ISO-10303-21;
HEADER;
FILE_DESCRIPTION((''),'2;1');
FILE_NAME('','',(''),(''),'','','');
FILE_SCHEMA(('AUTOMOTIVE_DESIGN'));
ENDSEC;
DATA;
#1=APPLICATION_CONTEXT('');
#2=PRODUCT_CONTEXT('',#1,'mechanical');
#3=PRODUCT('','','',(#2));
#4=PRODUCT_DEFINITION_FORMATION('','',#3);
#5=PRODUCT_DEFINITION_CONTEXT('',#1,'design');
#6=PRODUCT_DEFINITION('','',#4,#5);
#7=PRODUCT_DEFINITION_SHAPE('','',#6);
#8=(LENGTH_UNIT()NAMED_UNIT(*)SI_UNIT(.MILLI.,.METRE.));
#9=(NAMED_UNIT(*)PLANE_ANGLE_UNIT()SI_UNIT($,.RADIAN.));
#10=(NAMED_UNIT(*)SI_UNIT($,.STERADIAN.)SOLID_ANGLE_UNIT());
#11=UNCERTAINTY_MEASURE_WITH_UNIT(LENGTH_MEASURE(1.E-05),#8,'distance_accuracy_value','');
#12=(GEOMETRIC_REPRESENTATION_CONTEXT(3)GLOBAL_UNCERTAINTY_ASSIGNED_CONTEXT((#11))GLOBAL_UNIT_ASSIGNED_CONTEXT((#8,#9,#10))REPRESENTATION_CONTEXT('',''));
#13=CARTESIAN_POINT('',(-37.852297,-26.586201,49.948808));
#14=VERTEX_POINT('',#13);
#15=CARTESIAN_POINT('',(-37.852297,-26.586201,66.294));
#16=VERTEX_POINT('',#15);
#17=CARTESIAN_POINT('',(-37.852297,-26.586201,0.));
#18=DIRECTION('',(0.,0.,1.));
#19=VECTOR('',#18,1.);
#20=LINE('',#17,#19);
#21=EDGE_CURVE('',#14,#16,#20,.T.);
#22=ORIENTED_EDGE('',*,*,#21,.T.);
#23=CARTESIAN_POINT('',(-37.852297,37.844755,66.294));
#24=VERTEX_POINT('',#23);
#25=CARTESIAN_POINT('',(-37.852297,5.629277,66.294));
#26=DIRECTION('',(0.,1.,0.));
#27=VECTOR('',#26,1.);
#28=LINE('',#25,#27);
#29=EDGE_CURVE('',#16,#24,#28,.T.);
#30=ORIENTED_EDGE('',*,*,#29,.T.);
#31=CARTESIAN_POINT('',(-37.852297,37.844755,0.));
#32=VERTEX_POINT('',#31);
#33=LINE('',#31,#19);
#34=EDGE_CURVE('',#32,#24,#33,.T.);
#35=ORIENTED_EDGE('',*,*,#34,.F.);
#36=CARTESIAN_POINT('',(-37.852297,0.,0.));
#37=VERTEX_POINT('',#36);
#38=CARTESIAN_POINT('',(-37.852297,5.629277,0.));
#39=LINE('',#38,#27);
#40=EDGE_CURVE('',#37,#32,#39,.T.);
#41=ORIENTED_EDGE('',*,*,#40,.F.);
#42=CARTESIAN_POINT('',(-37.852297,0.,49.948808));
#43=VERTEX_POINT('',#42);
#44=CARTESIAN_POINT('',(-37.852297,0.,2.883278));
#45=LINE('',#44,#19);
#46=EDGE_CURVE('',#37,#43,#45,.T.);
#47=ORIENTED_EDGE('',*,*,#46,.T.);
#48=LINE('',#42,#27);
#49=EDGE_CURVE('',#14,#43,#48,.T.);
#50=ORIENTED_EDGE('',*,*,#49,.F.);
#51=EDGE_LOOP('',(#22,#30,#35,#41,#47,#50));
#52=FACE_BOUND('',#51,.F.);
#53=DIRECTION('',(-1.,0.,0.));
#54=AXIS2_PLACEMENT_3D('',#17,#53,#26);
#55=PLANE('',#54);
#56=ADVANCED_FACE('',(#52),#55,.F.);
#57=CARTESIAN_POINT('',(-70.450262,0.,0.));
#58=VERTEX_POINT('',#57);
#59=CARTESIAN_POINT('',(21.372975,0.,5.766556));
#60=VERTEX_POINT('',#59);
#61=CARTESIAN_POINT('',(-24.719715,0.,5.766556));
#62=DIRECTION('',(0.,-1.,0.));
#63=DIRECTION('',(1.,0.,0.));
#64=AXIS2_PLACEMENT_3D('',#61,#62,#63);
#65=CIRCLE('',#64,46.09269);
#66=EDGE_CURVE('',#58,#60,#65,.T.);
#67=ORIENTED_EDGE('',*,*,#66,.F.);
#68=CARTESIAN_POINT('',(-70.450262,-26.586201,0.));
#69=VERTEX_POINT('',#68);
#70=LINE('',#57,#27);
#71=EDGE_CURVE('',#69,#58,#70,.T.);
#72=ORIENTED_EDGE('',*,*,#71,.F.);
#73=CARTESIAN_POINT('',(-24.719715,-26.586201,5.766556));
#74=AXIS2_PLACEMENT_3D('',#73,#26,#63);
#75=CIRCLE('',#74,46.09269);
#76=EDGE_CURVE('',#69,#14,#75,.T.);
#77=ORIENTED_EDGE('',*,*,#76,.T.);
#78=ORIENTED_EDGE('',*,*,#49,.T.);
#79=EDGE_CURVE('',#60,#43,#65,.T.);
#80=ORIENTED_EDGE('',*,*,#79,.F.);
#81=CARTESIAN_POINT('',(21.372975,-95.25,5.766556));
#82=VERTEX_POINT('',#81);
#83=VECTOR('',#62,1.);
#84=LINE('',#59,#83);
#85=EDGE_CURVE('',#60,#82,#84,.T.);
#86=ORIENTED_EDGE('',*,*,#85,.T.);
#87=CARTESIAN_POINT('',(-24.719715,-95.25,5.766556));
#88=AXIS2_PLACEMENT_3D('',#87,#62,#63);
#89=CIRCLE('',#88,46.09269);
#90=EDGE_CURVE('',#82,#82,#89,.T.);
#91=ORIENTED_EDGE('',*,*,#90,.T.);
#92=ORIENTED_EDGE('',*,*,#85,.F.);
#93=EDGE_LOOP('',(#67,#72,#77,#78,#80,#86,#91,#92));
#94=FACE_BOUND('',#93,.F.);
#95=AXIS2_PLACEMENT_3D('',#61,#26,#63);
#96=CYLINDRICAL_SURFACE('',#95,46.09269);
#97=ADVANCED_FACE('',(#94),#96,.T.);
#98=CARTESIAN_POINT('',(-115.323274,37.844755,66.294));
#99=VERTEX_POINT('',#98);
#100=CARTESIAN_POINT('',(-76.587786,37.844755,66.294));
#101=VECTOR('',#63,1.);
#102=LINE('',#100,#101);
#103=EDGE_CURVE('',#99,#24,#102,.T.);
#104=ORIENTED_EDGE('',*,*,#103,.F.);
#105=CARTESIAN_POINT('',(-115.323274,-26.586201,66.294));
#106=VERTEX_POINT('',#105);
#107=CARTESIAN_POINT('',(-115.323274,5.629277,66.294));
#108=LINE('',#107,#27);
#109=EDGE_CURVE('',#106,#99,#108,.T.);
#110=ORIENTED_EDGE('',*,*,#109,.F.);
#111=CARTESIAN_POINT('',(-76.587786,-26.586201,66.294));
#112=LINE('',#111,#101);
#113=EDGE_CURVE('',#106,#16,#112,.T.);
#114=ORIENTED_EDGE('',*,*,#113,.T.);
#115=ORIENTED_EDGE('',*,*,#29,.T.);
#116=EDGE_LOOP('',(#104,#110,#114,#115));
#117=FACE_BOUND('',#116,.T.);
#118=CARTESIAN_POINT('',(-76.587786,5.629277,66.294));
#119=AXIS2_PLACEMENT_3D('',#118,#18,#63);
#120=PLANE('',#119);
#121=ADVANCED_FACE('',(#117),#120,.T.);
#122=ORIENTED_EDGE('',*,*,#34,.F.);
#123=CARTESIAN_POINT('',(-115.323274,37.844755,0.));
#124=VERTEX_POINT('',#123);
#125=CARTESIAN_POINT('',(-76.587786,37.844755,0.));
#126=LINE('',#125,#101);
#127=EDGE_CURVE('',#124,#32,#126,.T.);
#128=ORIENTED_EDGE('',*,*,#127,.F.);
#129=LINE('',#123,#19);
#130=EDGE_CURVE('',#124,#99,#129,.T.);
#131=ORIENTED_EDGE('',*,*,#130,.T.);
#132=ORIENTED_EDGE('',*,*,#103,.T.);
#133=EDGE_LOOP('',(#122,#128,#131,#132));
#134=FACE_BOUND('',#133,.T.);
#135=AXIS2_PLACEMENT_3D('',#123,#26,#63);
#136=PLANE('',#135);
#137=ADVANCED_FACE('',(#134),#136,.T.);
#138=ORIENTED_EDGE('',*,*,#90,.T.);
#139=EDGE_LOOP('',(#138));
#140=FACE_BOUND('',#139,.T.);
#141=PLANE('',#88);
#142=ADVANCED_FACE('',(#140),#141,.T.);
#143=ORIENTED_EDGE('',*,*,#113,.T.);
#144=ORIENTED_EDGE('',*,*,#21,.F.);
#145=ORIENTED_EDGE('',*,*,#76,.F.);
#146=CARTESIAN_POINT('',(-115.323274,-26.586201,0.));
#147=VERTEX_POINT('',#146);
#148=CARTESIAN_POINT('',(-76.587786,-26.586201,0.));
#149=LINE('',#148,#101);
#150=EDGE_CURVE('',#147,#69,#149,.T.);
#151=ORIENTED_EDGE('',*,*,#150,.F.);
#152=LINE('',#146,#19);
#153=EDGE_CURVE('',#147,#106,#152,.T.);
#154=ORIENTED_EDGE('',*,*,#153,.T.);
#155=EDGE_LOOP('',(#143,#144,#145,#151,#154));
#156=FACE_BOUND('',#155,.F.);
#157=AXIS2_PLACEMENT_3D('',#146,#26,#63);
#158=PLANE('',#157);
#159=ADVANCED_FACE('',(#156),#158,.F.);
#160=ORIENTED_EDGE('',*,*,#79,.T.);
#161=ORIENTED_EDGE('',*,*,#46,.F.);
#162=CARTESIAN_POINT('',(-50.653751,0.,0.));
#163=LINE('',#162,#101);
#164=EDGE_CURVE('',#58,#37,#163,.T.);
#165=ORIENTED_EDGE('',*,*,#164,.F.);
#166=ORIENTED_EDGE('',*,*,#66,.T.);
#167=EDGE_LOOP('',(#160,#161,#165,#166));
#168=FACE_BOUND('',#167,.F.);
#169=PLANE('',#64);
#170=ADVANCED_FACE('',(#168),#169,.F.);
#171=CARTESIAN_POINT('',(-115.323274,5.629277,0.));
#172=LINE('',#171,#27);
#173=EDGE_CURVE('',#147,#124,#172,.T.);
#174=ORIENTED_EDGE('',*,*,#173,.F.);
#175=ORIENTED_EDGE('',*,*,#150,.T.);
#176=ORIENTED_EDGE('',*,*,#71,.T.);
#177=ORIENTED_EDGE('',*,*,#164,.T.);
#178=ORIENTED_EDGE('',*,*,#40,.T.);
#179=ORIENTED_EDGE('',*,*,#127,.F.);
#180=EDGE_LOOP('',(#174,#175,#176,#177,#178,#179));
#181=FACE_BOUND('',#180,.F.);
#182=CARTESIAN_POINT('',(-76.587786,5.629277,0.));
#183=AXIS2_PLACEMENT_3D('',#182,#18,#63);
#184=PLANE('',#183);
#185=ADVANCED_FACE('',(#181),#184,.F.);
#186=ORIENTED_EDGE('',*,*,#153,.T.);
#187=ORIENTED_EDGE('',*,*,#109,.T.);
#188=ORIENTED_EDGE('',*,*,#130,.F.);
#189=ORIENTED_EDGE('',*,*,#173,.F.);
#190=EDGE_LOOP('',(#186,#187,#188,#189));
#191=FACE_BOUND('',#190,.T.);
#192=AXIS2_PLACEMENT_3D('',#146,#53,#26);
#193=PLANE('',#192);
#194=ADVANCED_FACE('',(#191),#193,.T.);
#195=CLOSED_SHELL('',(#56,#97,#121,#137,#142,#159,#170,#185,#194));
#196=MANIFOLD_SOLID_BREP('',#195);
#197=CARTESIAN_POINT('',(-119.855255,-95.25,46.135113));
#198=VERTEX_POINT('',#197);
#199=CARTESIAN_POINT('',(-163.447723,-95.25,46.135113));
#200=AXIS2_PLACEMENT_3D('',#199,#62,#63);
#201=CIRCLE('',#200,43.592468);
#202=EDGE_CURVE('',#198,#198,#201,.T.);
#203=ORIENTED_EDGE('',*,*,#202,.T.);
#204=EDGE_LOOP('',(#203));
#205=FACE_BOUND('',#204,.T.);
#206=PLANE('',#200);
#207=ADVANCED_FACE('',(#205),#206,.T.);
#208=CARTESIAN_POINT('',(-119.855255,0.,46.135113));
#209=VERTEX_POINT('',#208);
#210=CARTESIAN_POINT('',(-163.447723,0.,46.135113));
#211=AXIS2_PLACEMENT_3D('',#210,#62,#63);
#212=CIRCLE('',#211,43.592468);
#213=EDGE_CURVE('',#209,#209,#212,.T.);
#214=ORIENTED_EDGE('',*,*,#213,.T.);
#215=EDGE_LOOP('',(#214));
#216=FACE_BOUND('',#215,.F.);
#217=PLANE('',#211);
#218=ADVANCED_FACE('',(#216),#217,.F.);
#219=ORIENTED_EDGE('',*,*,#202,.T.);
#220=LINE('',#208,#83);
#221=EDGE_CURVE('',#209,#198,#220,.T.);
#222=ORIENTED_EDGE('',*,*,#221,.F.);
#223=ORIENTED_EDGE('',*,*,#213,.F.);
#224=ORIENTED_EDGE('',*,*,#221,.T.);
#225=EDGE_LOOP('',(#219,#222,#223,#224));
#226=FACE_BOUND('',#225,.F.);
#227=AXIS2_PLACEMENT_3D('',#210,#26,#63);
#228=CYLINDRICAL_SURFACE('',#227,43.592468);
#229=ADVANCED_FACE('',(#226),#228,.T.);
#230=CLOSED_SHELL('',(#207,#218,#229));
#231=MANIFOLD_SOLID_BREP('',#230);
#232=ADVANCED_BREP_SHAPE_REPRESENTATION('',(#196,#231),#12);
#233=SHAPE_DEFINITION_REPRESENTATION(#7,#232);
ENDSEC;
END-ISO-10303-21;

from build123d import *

# Parameters (mm, degrees)
F0_W     = 77.470977
F0_H     = 64.430956
F1_DEPTH = 66.294
F2_R     = 46.09269
F2_R_2   = 43.592468
F3_DEPTH = 95.25


with BuildPart() as f1:
    # F0 (on Top) → F1 (new body)
    with BuildSketch(Plane.XY):
        with Locations((-76.587786, 5.629277)):
            Rectangle(F0_W, F0_H)
    extrude(amount=F1_DEPTH)

    # F2 (on Front) → F3 (join)
    with BuildSketch(Plane.XZ):
        with Locations((-24.719715, 5.766556)):
            Circle(F2_R)
        with Locations((-163.447723, 46.135113)):
            Circle(F2_R_2)
    extrude(amount=F3_DEPTH)


solid = f1.part
